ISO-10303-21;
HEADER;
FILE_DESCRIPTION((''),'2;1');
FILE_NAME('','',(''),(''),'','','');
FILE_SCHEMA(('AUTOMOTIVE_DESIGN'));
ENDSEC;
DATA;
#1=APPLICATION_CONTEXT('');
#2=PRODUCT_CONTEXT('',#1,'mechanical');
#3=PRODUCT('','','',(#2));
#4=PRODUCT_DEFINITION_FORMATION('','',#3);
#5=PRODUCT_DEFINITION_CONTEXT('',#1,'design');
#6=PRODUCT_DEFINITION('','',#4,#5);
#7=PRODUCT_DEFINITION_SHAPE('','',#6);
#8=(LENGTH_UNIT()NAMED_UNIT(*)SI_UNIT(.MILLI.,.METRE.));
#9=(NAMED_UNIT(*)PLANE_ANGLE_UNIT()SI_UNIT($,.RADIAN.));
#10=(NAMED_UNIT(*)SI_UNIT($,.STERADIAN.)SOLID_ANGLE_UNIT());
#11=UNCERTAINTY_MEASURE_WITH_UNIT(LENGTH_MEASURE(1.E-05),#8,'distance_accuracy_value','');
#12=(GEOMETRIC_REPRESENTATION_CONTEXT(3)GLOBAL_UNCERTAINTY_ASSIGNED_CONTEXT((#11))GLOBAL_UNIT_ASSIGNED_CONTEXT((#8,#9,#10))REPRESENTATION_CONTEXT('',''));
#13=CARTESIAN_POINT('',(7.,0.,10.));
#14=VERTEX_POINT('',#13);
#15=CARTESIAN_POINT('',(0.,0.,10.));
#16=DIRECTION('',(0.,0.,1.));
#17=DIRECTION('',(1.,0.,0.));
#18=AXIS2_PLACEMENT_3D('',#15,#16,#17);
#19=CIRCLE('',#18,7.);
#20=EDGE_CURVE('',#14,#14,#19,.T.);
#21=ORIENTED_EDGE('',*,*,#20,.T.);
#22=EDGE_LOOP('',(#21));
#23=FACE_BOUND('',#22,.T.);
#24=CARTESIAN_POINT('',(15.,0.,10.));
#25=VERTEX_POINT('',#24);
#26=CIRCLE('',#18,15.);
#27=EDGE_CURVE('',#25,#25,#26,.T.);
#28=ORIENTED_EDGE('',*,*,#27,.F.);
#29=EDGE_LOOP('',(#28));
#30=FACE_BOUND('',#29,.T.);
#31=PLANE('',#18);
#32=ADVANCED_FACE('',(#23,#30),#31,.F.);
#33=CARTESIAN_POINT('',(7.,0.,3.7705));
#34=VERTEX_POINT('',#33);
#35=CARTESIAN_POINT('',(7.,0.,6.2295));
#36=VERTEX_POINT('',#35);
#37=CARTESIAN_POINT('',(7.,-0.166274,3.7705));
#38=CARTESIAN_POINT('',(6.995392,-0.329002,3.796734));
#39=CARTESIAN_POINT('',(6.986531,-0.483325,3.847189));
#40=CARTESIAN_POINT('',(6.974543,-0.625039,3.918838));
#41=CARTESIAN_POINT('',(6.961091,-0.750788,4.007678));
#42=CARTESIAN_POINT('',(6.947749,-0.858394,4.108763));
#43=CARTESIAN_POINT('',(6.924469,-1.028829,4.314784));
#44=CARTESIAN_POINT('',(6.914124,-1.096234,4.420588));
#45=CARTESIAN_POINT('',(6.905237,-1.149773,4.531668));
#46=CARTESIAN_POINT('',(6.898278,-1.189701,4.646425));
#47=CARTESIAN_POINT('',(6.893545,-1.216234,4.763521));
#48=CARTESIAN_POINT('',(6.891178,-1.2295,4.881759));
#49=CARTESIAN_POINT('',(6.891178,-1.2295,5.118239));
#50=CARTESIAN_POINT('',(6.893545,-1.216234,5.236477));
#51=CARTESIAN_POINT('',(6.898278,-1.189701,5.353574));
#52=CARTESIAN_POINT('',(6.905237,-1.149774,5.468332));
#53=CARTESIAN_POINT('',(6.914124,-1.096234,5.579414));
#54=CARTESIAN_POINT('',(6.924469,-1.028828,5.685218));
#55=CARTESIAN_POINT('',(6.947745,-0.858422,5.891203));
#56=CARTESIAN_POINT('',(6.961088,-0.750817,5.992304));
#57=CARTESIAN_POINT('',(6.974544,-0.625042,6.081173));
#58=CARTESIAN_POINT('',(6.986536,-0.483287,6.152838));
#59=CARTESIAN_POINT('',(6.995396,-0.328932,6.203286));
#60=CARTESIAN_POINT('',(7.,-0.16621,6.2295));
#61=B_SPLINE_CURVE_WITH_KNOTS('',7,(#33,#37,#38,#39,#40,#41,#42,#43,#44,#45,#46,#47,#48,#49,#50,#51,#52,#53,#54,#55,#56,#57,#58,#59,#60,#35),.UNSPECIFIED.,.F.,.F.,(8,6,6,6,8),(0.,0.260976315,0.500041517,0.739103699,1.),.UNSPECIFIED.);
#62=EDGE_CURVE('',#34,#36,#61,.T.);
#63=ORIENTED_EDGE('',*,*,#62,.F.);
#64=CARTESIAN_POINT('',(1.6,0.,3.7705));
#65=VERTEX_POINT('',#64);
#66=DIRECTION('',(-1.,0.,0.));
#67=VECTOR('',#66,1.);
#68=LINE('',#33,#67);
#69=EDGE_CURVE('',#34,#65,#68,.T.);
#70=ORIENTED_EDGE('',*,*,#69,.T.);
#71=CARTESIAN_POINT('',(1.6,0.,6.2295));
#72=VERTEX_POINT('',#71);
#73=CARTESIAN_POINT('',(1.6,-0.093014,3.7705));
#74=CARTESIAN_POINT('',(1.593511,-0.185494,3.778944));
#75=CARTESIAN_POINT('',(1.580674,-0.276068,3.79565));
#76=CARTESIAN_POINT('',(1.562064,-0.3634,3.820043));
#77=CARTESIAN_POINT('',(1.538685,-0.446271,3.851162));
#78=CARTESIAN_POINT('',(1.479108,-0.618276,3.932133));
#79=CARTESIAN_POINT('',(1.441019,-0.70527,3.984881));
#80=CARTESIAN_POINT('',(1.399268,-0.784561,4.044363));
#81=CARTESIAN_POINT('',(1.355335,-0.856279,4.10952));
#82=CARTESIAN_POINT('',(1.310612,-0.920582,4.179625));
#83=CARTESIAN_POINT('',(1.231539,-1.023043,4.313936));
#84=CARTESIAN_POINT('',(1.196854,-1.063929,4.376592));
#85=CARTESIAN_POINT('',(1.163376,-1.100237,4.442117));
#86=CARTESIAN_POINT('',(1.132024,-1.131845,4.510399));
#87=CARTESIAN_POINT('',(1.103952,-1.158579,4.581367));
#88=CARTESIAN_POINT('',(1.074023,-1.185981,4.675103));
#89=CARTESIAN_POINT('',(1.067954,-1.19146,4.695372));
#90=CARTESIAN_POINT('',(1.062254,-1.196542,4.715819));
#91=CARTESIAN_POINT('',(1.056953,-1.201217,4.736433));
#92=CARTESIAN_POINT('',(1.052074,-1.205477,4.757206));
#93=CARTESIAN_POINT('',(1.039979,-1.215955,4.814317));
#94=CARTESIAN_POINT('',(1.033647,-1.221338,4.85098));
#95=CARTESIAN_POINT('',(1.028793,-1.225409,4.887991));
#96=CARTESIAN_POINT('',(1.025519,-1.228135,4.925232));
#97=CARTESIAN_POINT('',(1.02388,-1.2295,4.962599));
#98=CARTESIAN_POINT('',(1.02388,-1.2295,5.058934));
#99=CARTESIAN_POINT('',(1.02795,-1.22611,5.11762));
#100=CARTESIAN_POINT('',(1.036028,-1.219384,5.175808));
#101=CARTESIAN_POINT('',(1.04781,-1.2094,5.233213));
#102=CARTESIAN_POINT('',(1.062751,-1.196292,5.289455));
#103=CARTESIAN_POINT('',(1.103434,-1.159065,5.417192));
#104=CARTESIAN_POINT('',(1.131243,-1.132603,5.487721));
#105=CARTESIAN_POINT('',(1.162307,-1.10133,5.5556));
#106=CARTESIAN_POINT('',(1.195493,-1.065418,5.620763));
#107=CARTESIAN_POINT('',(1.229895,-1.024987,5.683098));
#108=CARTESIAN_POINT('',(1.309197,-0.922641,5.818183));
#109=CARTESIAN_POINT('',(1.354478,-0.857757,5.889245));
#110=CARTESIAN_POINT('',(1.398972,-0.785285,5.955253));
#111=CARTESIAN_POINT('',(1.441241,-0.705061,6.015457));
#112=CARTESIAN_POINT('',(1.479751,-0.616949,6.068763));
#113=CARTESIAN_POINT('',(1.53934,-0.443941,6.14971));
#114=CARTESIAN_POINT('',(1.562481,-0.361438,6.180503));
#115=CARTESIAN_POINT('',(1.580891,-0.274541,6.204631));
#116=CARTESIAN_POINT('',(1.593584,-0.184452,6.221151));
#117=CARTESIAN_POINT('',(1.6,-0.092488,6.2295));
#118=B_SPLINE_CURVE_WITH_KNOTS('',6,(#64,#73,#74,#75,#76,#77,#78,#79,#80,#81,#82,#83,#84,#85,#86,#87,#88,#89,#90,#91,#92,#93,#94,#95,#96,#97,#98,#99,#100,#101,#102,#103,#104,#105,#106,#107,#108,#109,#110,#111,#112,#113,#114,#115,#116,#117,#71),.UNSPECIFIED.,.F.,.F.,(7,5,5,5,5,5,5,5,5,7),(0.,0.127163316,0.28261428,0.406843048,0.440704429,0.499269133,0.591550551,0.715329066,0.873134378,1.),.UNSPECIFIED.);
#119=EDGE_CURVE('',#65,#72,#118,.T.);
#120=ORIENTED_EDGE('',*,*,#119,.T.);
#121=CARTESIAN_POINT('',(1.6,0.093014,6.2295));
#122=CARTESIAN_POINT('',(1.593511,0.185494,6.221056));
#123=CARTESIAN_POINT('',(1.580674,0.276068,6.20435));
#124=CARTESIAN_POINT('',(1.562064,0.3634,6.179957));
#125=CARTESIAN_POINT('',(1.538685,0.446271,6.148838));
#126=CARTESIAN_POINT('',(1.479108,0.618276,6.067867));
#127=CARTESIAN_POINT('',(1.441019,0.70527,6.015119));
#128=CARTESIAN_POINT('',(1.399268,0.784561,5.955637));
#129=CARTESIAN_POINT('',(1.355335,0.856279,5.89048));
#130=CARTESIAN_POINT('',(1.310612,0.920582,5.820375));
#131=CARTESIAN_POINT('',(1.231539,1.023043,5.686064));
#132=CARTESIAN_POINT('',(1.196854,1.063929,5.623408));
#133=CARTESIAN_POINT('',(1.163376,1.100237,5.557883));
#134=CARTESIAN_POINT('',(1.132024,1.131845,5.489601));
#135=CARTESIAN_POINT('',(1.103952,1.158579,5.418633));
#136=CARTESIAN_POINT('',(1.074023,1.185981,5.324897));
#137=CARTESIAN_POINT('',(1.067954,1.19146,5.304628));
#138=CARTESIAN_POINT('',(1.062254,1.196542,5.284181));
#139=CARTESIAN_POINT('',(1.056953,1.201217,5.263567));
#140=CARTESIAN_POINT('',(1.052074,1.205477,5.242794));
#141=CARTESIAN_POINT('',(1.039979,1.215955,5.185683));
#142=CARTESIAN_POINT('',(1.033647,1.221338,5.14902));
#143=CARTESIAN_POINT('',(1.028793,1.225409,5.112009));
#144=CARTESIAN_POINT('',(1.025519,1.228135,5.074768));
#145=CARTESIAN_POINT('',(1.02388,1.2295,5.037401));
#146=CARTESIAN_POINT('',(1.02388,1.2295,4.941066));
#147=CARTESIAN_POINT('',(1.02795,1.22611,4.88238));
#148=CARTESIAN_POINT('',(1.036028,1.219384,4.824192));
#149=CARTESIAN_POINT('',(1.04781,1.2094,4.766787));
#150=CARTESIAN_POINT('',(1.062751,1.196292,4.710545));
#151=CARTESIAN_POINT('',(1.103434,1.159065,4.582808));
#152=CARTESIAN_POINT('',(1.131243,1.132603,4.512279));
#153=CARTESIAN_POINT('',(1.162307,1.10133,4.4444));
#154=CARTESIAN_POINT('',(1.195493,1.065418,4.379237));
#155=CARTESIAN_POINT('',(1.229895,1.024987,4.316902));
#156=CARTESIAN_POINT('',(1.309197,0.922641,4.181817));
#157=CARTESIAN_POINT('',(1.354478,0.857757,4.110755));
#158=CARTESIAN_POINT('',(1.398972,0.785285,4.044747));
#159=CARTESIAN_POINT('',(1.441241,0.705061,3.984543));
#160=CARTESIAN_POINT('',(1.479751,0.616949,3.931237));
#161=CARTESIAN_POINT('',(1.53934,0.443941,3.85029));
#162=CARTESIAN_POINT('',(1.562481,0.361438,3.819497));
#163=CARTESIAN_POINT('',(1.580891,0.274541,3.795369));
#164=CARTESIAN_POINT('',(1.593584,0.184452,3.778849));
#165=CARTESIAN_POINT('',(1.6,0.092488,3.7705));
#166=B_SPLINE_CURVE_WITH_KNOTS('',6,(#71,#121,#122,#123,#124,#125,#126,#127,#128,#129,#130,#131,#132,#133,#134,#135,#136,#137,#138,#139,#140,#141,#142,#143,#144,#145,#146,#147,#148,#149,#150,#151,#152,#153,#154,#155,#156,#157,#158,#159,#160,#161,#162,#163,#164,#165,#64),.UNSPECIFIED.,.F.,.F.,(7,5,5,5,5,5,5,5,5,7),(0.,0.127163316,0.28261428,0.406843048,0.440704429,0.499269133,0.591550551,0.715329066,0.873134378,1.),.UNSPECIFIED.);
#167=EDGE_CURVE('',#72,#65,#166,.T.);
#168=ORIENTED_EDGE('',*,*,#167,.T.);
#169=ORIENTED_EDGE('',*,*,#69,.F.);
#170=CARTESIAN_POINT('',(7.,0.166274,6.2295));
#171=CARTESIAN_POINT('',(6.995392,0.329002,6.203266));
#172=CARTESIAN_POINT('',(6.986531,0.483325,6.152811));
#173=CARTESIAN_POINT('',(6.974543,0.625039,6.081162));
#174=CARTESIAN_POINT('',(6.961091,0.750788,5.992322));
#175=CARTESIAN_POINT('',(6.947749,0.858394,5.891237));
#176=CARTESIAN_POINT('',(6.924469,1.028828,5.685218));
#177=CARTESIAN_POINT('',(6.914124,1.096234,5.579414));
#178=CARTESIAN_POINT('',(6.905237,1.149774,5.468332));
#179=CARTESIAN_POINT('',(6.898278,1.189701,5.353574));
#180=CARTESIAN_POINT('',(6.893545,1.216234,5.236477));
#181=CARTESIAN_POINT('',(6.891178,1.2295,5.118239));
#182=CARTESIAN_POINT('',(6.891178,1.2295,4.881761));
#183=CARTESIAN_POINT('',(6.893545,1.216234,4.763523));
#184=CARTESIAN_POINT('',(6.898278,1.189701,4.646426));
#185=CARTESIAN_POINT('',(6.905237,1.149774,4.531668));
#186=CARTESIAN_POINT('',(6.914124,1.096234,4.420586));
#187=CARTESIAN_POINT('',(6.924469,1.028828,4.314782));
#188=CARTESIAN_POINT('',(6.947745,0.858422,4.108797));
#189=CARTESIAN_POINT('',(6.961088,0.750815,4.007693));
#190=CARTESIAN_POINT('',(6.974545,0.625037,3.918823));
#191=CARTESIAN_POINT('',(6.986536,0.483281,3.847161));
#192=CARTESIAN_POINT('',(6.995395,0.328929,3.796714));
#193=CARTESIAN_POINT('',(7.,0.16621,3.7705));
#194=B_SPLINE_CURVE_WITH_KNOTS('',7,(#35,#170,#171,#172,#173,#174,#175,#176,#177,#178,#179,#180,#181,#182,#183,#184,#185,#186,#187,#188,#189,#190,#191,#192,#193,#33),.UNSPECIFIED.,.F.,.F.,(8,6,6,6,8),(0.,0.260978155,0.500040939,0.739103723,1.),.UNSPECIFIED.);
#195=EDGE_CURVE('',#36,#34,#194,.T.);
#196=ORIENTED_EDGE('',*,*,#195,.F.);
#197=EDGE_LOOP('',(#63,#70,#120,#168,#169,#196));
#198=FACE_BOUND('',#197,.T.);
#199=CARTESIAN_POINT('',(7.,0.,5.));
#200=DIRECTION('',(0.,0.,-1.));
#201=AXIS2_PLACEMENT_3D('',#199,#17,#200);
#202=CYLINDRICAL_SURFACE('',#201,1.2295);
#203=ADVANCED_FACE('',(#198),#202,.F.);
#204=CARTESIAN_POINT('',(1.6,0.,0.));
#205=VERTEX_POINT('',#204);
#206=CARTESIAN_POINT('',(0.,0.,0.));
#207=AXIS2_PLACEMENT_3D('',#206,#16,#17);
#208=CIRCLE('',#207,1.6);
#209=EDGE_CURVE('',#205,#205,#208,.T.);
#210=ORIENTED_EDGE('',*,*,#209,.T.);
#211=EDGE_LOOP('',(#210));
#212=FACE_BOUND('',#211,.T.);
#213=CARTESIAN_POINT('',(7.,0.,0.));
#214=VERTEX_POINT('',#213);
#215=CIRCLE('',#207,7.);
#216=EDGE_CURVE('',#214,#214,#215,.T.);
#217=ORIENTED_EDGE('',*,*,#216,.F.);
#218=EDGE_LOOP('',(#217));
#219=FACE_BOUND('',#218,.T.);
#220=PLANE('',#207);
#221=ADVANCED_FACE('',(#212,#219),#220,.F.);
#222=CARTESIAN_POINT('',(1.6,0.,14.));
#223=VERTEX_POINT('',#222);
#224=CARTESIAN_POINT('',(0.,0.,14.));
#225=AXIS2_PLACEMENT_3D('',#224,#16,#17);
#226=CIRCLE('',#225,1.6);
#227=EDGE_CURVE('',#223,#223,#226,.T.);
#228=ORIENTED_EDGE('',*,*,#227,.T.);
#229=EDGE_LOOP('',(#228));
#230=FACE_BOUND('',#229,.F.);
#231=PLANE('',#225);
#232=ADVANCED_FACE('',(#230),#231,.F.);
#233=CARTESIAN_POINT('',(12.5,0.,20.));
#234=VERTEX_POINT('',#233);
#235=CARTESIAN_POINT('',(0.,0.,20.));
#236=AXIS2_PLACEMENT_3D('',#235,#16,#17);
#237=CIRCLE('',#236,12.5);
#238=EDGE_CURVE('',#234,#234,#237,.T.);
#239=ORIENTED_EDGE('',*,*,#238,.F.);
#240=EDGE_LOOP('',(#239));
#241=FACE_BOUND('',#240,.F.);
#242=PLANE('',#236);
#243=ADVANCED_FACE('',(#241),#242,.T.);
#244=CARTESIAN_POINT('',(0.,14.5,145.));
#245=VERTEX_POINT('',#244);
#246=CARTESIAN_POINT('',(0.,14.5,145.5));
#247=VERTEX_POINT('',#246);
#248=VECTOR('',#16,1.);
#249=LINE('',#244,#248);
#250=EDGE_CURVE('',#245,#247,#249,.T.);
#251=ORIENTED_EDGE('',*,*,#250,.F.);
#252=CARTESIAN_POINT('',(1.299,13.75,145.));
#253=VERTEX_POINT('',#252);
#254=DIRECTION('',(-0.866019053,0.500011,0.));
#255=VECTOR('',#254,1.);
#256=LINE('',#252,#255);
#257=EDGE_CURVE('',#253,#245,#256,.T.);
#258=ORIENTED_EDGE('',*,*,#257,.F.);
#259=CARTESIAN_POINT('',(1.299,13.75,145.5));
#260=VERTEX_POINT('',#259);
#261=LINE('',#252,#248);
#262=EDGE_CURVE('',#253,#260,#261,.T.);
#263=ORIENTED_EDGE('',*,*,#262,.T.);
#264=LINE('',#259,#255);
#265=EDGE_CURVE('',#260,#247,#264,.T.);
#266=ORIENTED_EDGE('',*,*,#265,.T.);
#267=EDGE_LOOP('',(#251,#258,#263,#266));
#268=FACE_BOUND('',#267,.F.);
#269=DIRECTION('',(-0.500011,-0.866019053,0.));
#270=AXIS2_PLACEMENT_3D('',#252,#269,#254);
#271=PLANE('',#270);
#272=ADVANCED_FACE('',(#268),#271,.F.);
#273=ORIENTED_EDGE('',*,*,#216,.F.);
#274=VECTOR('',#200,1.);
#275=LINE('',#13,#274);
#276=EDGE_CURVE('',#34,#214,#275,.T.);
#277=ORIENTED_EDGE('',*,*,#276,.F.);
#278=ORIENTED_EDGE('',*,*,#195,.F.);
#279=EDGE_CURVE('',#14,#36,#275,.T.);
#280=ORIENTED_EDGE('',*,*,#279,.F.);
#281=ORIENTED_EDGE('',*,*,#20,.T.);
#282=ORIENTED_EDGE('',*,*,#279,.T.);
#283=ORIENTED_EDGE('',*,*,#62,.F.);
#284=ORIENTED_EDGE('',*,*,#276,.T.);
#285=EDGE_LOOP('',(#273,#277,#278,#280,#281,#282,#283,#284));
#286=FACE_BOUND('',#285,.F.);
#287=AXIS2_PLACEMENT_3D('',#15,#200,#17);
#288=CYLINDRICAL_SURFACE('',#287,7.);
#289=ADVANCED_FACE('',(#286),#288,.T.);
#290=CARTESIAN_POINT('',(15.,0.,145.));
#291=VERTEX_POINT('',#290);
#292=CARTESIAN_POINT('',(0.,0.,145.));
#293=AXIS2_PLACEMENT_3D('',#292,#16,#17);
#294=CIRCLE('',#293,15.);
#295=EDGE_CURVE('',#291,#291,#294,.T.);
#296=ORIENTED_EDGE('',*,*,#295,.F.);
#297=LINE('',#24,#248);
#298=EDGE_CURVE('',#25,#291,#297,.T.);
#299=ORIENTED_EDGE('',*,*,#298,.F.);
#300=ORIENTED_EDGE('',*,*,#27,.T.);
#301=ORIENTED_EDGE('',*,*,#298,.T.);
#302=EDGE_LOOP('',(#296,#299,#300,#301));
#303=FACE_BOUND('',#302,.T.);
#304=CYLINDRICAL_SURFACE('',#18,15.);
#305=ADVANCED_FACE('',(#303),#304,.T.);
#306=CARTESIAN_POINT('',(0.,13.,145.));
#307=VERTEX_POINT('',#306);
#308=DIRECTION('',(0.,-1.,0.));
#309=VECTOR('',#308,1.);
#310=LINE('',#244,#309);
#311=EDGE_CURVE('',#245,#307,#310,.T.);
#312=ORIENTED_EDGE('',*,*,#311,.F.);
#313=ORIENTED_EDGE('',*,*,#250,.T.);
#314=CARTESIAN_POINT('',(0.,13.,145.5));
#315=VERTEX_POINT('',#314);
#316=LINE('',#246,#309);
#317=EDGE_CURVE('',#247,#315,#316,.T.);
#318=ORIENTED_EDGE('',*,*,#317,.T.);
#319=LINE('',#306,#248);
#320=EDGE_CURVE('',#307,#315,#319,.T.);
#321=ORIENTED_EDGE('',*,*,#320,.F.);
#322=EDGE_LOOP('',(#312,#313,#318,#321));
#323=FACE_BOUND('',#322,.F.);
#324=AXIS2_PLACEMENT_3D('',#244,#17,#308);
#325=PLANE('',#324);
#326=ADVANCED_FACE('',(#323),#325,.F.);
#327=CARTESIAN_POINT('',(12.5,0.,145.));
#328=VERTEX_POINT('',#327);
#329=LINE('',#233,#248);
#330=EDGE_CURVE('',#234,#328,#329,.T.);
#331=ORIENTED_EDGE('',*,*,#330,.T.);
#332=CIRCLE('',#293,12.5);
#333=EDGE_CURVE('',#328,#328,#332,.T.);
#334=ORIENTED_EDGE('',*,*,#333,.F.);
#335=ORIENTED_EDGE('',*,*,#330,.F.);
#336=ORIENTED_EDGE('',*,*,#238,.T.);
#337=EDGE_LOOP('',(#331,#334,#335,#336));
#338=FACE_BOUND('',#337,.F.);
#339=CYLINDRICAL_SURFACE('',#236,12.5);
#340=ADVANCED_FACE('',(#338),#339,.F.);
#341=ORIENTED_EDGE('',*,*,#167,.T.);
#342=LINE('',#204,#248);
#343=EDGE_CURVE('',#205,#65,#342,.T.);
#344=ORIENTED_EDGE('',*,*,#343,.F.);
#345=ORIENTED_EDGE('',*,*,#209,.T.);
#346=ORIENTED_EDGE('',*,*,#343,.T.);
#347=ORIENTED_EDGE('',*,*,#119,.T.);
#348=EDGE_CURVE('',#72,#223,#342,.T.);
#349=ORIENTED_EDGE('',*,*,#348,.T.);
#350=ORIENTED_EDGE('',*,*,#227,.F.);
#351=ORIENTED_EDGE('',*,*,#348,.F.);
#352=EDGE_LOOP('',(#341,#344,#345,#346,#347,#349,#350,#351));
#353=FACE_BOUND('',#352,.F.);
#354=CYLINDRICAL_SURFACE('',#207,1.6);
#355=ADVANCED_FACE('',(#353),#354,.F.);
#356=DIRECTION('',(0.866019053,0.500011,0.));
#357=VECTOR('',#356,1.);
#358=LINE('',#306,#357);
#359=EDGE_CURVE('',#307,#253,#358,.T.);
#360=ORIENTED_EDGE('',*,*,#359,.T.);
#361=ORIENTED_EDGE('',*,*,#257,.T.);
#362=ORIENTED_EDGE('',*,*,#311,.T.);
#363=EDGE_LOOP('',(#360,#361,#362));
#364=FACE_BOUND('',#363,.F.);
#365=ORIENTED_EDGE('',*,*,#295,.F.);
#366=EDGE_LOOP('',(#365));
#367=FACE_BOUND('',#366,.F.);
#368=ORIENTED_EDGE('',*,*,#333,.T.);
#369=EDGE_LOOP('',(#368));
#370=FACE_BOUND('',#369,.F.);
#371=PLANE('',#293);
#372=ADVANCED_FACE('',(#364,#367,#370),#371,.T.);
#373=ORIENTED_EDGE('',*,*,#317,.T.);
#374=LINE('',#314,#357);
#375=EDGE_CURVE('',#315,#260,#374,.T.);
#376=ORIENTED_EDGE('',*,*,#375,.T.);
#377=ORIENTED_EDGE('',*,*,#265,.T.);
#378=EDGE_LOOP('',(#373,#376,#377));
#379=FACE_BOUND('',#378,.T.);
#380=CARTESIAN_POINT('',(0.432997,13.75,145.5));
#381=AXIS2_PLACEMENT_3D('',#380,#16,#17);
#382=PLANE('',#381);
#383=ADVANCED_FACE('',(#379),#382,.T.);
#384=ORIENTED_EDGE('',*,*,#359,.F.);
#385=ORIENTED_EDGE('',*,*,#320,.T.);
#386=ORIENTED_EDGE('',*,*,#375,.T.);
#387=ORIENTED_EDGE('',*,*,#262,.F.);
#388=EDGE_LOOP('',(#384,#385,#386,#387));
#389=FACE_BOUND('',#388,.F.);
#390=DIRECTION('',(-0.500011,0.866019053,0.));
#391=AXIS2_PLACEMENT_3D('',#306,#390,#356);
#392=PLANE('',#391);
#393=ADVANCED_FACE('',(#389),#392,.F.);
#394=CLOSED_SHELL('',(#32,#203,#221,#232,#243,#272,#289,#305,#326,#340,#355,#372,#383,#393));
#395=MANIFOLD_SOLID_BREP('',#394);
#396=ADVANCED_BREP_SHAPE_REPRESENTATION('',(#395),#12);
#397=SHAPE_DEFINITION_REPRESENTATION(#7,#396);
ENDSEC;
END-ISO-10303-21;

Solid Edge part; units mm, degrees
sketch "Sketch1" plane through (0, 0, 0) normal (0, -1, 0) x (1, 0, 0)
  line L0 (12.5, 20) -> (12.5, 145)
  line L1 (12.5, 145) -> (15, 145)
  line L2 (15, 10) -> (15, 145)
  line L3 (7, 10) -> (15, 10)
  line L4 (7, 10) -> (7, 0)
  line L5 (1.6, 0) -> (7, 0)
  line L6 (1.6, 0) -> (1.6, 14)
  line L7 (1.6, 14) -> (0, 14)
  line L8 (0, 14) -> (0, 20)
  line L9 (0, 20) -> (12.5, 20)
revolve "RevolvedProtrusion1" add sketch "Sketch1" angle 360 about axis through (0, 0, 0) along (0, 0, 1)
sketch "Sketch2" plane through (0, 0, 145) normal (0, 0, 1) x (1, 0, 0)
  line L0 (0, 14.5) -> (0, 13)
  line L1 (0, 13) -> (1.299, 13.75)
  line L2 (1.299, 13.75) -> (0, 14.5)
extrude "ExtrudedProtrusion_1" add sketch "Sketch2" along normal blind 0.5
hole "Hole_1" at (7, 0, 5) direction (-1, 0, 0) diameter 2.459 end up to next thread major 3 thread length 2
properties material "Zinc"
